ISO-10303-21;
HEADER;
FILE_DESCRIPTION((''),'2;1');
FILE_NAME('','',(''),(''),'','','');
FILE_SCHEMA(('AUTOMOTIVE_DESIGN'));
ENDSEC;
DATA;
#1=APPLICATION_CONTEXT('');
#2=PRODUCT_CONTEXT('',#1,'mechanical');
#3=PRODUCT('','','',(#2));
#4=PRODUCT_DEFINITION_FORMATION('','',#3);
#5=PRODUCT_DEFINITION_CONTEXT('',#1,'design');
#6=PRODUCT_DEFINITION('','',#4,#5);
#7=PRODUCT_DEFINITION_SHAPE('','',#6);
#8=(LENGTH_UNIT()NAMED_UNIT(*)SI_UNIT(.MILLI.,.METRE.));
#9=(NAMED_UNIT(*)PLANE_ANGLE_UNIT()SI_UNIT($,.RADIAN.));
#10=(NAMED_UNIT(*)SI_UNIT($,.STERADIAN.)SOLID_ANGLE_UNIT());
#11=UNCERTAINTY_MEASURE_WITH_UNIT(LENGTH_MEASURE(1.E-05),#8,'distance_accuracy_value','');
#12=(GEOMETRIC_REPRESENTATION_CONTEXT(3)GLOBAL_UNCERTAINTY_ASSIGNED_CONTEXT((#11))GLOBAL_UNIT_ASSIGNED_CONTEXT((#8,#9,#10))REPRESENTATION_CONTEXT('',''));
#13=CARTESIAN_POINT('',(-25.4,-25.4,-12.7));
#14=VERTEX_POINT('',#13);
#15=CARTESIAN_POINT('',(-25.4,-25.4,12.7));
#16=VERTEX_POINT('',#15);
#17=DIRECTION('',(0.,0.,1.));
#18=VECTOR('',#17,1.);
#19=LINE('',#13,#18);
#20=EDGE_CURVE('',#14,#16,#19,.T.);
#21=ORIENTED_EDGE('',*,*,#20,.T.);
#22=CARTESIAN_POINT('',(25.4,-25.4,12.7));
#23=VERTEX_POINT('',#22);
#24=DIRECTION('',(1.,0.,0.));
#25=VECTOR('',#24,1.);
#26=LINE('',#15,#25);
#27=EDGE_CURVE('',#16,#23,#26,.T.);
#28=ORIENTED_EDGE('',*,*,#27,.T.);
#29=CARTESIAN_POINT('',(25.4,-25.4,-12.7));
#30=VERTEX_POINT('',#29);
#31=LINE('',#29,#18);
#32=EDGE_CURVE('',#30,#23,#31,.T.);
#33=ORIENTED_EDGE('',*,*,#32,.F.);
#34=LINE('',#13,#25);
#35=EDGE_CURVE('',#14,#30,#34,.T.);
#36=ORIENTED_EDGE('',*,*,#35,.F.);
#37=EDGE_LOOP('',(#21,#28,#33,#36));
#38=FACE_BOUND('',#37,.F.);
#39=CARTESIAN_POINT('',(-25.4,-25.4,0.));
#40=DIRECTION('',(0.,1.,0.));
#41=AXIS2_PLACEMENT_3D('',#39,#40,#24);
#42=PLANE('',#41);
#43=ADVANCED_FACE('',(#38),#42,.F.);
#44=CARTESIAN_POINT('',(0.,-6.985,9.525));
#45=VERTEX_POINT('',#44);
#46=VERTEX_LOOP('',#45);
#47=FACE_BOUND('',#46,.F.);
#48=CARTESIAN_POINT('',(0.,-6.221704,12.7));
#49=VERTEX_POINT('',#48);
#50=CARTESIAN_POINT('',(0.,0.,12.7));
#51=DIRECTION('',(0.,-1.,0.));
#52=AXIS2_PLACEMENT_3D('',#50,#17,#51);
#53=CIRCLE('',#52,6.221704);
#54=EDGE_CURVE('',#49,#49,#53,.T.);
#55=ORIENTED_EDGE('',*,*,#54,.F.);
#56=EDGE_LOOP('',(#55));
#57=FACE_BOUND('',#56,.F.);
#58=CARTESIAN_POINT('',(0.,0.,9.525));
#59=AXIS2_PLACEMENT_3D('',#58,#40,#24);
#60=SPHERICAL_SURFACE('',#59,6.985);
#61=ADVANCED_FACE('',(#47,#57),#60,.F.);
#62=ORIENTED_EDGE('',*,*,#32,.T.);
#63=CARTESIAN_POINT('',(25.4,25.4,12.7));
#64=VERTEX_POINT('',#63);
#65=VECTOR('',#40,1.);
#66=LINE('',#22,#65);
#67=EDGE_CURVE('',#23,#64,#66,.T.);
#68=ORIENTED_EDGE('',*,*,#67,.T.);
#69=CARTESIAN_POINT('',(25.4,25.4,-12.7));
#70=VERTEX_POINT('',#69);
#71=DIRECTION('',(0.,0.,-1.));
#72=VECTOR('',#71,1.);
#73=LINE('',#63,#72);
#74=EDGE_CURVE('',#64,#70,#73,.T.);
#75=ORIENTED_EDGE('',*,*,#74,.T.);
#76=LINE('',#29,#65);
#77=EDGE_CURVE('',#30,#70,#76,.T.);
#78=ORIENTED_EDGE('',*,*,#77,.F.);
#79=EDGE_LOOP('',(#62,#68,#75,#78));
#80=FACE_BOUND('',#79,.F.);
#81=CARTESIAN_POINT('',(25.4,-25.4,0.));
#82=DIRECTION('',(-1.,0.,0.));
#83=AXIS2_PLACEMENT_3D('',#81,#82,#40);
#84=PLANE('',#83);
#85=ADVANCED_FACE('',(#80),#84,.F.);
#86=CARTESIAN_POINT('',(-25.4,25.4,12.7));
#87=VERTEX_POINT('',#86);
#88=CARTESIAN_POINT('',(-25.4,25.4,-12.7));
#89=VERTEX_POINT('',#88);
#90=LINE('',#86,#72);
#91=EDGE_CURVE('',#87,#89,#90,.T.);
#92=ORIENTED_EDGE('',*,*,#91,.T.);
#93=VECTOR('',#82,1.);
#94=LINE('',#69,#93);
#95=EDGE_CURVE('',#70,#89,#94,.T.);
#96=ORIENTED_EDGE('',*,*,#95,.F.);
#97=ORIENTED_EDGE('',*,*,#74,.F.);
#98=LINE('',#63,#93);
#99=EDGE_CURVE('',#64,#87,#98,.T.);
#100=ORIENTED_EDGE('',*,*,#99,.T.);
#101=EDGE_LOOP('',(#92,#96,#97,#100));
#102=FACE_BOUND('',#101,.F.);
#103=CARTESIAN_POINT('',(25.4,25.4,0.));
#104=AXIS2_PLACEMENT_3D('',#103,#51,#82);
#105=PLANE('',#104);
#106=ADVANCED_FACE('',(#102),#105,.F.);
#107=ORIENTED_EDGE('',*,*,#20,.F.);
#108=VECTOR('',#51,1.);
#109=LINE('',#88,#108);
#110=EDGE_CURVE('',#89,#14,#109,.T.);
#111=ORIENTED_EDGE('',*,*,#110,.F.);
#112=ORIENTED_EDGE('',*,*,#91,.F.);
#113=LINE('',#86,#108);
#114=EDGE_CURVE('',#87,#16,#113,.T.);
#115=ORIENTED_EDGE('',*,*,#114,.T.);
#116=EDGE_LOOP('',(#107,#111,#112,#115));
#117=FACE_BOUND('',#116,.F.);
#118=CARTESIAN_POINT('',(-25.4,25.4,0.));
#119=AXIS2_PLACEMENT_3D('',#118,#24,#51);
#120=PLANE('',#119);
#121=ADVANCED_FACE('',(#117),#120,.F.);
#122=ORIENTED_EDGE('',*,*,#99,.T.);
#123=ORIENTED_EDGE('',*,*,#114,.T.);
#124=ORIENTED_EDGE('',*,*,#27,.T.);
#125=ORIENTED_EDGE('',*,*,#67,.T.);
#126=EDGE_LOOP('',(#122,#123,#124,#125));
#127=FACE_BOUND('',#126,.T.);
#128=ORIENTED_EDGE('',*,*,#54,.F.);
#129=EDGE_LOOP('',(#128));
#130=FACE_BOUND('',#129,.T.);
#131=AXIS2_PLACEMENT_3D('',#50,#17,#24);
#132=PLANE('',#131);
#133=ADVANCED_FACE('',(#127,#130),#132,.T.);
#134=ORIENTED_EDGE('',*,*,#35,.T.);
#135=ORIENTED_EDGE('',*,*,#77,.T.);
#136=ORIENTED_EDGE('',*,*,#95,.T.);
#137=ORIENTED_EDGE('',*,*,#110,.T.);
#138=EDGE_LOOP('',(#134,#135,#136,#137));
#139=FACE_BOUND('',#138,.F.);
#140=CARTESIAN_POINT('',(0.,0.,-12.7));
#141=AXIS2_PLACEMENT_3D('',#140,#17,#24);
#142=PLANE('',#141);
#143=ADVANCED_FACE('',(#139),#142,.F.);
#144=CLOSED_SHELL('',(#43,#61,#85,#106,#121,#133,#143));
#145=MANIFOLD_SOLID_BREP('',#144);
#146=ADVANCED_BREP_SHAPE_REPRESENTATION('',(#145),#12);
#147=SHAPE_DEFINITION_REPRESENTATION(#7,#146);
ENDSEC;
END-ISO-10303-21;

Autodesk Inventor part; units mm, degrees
ref_plane "YZ Plane" through (0, 0, 0) normal (1, 0, 0) x (0, 1, 0)
ref_plane "XZ Plane" through (0, 0, 0) normal (0, 1, 0) x (-1, 0, 0)
ref_plane "XY Plane" through (0, 0, 0) normal (0, 0, 1) x (1, 0, 0)
sketch "Sketch1" plane through (0, 0, 0) normal (0, 0, 1) x (1, 0, 0)
  line L0 (-25.4, -25.4) -> (25.4, -25.4)
  line L1 (25.4, -25.4) -> (25.4, 25.4)
  line L2 (25.4, 25.4) -> (-25.4, 25.4)
  line L3 (-25.4, 25.4) -> (-25.4, -25.4)
  line L4 (-25.4, -25.4) -> (25.4, 25.4) construction
  line L5 (25.4, -25.4) -> (-25.4, 25.4) construction
  point P0 (0, 0)
  dimension "d0" = 50.8
extrude "Extrusion1" add sketch "Sketch1" along normal mid plane 25.4
ref_plane "Work Plane1" through (0, 0, 9.525) normal (0, 0, 1) x (1, 0, 0)
sketch "Sketch2" plane through (0, 0, 9.525) normal (0, 0, 1) x (1, 0, 0)
  arc A0 (0, -6.985) -> (0, 6.985) centre (0, 0) ccw
  line L0 (0, -6.985) -> (0, 6.985)
  dimension "d5" = 6.985
revolve "Revolution1" cut sketch "Sketch2" angle 360 about axis through (0, -6.985, 9.525) along (0, 1, 0)
equation "\"d0\" = sideLength"
equation "\"d1\" = partDepth"
equation "\"d5\" = radiusofBallHole"
equation "\"d3\" = -workPlaneForBallDistanceFfromFontEdge"
equation "\"radiusofBallHole\" = 0.5 * diameterOfBallHole"
equation "\"sideLength\" = 50.8"
equation "\"partDepth\" = 25.4"
equation "\"workPlaneForBallDistanceFfromFontEdge\" = 3.175"
equation "\"allowancForBallToRotate\" = 1.27"
equation "\"diameterOfBallHole\" = 13.97"
properties part number "socket"
